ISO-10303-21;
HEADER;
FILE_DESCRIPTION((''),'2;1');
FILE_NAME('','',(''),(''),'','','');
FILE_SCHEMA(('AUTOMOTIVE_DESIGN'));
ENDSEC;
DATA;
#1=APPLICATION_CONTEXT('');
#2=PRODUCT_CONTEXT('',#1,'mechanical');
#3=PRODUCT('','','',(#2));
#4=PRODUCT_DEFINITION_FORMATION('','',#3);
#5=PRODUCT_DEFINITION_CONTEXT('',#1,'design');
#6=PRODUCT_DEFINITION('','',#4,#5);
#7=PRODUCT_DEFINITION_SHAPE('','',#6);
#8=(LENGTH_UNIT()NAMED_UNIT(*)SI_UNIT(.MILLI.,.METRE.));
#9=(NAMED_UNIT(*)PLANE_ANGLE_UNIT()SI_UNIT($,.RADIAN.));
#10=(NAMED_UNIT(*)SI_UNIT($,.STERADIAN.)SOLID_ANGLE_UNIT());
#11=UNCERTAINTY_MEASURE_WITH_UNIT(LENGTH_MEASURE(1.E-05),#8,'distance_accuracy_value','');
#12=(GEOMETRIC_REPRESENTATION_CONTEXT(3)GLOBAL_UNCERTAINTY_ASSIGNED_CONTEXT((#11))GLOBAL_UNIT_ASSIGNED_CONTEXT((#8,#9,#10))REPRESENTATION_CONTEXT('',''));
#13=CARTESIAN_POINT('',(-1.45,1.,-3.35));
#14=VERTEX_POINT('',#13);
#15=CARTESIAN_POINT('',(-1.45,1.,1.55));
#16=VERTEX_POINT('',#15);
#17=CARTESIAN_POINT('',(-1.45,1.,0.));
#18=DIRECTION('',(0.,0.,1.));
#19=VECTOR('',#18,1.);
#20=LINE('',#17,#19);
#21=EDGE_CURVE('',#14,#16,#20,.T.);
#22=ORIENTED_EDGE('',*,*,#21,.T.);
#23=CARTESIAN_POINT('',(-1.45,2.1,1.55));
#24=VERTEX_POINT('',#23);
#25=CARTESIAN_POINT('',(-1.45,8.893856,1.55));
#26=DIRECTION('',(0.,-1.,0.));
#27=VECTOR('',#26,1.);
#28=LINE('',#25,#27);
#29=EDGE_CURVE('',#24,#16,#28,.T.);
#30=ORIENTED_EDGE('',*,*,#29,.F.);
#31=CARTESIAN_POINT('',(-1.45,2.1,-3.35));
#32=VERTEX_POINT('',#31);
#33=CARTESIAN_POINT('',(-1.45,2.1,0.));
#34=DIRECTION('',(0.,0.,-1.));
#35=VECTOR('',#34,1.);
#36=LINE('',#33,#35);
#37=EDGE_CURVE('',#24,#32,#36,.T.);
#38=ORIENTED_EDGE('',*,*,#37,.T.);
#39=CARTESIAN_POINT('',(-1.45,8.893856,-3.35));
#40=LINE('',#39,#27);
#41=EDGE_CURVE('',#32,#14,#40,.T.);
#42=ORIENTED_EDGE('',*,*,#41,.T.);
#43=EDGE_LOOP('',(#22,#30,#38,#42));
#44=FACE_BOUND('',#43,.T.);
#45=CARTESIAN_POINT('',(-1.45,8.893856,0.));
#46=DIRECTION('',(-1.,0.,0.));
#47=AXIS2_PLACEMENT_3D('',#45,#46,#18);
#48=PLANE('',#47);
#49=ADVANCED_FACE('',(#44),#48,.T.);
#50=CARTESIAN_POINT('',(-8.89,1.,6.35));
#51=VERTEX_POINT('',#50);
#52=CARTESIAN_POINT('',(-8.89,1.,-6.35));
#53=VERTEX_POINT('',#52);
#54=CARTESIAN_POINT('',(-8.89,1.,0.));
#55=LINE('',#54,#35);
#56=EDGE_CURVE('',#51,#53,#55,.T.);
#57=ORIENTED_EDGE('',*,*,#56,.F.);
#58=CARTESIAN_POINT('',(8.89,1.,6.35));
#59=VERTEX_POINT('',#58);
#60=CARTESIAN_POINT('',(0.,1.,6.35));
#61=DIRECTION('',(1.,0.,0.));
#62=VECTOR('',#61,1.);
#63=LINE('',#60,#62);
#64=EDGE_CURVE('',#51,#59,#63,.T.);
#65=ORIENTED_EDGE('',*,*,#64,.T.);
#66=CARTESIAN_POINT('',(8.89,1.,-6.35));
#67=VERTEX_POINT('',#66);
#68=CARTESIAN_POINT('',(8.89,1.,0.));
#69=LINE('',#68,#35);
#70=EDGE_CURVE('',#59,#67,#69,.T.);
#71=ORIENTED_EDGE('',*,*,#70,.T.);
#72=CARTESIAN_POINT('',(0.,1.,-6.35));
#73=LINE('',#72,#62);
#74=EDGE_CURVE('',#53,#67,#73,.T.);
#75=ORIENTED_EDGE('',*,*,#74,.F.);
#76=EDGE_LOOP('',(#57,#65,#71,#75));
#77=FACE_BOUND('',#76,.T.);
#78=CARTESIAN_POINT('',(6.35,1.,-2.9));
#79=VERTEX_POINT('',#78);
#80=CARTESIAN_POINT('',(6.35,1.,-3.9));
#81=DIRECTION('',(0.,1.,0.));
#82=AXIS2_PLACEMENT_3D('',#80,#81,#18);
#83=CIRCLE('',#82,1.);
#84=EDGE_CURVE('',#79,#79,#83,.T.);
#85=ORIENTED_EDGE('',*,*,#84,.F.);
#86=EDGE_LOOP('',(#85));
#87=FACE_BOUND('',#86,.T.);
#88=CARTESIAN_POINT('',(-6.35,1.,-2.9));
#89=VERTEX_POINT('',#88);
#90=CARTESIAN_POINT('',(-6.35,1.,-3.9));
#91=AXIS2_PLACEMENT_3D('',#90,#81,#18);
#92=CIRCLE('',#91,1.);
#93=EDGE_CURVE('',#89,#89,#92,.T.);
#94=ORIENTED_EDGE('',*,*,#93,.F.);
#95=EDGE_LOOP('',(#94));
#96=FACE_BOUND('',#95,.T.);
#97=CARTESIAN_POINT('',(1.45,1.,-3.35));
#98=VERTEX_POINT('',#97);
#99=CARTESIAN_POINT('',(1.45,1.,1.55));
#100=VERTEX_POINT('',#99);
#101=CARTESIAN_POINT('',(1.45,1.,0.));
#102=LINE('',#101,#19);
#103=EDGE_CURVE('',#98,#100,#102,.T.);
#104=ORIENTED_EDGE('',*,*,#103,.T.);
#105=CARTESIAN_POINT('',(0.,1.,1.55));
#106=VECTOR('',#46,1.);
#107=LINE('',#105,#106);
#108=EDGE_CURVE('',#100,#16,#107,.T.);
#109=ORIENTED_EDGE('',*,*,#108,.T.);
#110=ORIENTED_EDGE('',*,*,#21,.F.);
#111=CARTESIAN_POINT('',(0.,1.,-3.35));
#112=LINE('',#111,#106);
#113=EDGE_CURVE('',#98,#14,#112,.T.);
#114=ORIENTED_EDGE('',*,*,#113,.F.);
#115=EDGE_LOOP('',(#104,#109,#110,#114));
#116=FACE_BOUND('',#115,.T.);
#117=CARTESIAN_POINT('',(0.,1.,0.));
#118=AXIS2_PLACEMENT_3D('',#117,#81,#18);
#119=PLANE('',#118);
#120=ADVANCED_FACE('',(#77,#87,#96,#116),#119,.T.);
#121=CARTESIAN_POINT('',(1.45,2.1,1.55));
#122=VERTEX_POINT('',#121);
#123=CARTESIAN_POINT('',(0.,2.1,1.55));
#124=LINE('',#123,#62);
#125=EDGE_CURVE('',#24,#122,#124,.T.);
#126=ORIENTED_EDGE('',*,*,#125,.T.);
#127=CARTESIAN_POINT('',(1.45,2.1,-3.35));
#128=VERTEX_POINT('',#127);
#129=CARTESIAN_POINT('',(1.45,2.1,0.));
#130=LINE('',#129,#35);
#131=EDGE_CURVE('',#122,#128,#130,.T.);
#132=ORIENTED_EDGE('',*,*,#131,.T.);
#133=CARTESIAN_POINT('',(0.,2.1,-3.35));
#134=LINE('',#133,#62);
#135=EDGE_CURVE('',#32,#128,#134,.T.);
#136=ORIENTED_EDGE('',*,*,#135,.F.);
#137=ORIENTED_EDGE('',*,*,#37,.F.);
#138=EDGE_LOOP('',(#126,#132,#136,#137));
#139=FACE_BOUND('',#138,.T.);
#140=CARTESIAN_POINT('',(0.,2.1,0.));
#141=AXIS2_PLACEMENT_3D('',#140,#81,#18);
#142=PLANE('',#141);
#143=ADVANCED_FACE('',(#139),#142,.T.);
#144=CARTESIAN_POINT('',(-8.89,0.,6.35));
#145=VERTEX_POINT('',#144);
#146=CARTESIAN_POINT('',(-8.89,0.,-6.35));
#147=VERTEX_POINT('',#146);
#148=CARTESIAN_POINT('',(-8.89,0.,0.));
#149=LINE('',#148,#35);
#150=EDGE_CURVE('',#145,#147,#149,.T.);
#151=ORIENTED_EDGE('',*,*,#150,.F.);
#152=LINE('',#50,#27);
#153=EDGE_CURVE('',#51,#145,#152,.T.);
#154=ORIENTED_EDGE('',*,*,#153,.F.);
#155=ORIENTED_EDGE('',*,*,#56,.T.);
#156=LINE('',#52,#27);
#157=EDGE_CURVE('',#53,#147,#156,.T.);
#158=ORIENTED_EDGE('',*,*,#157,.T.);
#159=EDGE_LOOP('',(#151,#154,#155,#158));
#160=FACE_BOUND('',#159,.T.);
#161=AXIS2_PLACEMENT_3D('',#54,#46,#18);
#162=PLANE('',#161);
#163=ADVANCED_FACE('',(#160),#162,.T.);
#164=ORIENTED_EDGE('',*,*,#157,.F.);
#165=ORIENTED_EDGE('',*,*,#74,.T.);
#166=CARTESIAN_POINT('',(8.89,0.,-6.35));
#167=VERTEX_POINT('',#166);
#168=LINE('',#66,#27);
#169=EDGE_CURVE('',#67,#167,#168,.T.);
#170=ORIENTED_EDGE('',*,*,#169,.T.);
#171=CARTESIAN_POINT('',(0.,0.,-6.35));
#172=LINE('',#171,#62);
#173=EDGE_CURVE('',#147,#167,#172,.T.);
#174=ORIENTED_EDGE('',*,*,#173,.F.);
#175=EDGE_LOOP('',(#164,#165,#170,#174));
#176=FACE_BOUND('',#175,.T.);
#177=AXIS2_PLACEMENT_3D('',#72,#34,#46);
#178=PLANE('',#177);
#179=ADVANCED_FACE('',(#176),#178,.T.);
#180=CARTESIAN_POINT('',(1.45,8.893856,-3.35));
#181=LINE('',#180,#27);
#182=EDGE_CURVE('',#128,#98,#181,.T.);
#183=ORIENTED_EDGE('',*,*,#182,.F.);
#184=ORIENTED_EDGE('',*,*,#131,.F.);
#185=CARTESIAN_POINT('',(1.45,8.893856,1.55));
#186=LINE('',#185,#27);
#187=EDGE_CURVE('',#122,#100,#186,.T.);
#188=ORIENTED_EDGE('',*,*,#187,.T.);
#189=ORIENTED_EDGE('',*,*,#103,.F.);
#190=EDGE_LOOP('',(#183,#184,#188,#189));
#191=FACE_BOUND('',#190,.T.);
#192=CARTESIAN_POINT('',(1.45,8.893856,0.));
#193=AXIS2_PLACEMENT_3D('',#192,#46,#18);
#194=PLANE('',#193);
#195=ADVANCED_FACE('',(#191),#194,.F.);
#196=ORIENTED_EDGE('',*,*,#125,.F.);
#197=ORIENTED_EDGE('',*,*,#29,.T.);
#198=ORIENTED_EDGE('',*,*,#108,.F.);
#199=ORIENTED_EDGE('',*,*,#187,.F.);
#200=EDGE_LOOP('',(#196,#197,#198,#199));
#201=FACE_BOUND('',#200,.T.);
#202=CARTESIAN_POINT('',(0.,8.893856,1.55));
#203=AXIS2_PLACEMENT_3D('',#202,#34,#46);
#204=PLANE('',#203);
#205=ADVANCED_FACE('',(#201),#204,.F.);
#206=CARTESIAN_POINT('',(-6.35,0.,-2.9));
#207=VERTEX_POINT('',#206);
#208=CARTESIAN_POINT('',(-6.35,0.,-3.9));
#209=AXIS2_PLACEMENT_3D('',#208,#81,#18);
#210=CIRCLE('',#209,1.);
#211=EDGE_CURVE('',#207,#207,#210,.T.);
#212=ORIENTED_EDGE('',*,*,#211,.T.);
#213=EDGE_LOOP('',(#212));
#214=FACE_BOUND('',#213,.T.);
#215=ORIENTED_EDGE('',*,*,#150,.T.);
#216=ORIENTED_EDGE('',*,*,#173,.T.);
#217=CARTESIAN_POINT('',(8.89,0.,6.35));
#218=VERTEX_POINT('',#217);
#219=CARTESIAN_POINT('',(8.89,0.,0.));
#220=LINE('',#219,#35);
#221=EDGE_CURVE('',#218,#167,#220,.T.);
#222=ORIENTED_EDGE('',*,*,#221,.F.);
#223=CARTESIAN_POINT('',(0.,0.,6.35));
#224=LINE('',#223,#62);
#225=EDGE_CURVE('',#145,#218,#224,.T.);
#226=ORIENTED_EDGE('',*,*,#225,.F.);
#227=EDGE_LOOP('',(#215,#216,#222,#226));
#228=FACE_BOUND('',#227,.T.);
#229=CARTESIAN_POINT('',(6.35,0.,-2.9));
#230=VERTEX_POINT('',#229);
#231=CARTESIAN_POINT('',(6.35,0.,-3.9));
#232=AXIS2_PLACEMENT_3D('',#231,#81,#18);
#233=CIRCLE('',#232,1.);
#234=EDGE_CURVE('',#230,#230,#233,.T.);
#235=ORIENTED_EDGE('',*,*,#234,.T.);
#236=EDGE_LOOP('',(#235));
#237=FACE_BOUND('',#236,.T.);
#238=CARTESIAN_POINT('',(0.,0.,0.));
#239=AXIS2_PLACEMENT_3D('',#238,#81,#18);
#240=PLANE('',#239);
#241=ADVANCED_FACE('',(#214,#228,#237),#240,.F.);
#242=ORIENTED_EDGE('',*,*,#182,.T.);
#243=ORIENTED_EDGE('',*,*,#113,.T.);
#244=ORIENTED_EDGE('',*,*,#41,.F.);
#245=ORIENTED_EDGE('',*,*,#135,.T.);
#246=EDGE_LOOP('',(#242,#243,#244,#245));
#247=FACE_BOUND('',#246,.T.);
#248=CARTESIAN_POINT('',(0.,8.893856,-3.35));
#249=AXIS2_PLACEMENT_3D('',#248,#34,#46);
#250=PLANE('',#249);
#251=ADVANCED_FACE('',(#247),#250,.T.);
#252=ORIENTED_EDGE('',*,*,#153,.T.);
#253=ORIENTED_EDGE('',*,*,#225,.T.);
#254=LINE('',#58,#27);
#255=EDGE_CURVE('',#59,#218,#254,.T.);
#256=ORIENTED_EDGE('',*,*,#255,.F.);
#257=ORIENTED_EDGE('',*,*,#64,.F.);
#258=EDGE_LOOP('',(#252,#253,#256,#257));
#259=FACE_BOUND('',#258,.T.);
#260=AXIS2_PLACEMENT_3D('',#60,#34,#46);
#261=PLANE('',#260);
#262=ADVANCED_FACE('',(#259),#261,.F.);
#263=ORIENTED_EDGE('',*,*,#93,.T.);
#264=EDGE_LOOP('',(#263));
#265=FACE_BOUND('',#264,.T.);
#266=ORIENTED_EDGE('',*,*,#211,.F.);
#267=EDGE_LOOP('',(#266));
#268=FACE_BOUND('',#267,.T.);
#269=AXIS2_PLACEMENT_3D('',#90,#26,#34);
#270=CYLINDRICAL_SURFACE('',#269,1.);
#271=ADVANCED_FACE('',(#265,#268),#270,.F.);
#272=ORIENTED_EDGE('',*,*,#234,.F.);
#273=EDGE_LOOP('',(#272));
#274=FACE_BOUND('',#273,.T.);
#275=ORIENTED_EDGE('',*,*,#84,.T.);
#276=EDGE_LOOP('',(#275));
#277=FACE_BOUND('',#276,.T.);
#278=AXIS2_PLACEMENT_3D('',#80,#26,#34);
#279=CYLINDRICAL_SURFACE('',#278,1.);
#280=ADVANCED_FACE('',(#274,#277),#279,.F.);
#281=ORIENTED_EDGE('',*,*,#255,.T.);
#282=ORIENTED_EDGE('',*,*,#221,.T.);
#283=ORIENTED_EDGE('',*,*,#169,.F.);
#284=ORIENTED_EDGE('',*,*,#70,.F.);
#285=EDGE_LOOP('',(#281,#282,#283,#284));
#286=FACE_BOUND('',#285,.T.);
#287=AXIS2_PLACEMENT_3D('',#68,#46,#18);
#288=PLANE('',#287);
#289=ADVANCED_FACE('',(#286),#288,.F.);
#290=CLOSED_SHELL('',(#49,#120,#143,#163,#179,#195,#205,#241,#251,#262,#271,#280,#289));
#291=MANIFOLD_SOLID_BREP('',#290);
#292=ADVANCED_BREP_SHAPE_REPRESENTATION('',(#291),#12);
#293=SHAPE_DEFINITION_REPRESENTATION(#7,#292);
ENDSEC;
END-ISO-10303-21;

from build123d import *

# Parameters (mm, degrees)
SKETCH_1_W      = 17.78
SKETCH_1_H      = 12.7
SKETCH_1_R      = 1
SKETCH_1_W_2    = 2.9
SKETCH_1_H_2    = 4.9
EXTRUDE_1_DEPTH = 1
SKETCH_1_3_W    = 2.9
SKETCH_1_3_H    = 4.9
EXTRUDE_2_DEPTH = 2.1


with BuildPart() as part:
    # 草图1 → 凸台-拉伸1 (new body)
    # profile 1 of 2: a face of its own
    with BuildSketch(Plane(origin=(0, 0, 0), x_dir=(1, 0, 0), z_dir=(0, 1, 0))):
        Rectangle(SKETCH_1_W, SKETCH_1_H)
        with Locations(Location((6.35, 3.9, 0), (0, 0, 270))):
            Circle(SKETCH_1_R, mode=Mode.SUBTRACT)
        with Locations(Location((-6.35, 3.9, 0), (0, 0, 270))):
            Circle(SKETCH_1_R, mode=Mode.SUBTRACT)
        with Locations((0, 0.9)):
            Rectangle(SKETCH_1_W_2, SKETCH_1_H_2, mode=Mode.SUBTRACT)
    # profile 2 of 2: a face of its own
    with BuildSketch(Plane(origin=(0, 0, 0), x_dir=(1, 0, 0), z_dir=(0, 1, 0))):
        with Locations((0, 0.9)):
            Rectangle(SKETCH_1_W_2, SKETCH_1_H_2)
    extrude(amount=EXTRUDE_1_DEPTH)

    # 草图1<3> → 凸台-拉伸2 (add)
    with BuildSketch(Plane(origin=(0, 0, 0), x_dir=(1, 0, 0), z_dir=(0, 1, 0))):
        with Locations((0, 0.9)):
            Rectangle(SKETCH_1_3_W, SKETCH_1_3_H)
    extrude(amount=EXTRUDE_2_DEPTH)


solid = part.part
